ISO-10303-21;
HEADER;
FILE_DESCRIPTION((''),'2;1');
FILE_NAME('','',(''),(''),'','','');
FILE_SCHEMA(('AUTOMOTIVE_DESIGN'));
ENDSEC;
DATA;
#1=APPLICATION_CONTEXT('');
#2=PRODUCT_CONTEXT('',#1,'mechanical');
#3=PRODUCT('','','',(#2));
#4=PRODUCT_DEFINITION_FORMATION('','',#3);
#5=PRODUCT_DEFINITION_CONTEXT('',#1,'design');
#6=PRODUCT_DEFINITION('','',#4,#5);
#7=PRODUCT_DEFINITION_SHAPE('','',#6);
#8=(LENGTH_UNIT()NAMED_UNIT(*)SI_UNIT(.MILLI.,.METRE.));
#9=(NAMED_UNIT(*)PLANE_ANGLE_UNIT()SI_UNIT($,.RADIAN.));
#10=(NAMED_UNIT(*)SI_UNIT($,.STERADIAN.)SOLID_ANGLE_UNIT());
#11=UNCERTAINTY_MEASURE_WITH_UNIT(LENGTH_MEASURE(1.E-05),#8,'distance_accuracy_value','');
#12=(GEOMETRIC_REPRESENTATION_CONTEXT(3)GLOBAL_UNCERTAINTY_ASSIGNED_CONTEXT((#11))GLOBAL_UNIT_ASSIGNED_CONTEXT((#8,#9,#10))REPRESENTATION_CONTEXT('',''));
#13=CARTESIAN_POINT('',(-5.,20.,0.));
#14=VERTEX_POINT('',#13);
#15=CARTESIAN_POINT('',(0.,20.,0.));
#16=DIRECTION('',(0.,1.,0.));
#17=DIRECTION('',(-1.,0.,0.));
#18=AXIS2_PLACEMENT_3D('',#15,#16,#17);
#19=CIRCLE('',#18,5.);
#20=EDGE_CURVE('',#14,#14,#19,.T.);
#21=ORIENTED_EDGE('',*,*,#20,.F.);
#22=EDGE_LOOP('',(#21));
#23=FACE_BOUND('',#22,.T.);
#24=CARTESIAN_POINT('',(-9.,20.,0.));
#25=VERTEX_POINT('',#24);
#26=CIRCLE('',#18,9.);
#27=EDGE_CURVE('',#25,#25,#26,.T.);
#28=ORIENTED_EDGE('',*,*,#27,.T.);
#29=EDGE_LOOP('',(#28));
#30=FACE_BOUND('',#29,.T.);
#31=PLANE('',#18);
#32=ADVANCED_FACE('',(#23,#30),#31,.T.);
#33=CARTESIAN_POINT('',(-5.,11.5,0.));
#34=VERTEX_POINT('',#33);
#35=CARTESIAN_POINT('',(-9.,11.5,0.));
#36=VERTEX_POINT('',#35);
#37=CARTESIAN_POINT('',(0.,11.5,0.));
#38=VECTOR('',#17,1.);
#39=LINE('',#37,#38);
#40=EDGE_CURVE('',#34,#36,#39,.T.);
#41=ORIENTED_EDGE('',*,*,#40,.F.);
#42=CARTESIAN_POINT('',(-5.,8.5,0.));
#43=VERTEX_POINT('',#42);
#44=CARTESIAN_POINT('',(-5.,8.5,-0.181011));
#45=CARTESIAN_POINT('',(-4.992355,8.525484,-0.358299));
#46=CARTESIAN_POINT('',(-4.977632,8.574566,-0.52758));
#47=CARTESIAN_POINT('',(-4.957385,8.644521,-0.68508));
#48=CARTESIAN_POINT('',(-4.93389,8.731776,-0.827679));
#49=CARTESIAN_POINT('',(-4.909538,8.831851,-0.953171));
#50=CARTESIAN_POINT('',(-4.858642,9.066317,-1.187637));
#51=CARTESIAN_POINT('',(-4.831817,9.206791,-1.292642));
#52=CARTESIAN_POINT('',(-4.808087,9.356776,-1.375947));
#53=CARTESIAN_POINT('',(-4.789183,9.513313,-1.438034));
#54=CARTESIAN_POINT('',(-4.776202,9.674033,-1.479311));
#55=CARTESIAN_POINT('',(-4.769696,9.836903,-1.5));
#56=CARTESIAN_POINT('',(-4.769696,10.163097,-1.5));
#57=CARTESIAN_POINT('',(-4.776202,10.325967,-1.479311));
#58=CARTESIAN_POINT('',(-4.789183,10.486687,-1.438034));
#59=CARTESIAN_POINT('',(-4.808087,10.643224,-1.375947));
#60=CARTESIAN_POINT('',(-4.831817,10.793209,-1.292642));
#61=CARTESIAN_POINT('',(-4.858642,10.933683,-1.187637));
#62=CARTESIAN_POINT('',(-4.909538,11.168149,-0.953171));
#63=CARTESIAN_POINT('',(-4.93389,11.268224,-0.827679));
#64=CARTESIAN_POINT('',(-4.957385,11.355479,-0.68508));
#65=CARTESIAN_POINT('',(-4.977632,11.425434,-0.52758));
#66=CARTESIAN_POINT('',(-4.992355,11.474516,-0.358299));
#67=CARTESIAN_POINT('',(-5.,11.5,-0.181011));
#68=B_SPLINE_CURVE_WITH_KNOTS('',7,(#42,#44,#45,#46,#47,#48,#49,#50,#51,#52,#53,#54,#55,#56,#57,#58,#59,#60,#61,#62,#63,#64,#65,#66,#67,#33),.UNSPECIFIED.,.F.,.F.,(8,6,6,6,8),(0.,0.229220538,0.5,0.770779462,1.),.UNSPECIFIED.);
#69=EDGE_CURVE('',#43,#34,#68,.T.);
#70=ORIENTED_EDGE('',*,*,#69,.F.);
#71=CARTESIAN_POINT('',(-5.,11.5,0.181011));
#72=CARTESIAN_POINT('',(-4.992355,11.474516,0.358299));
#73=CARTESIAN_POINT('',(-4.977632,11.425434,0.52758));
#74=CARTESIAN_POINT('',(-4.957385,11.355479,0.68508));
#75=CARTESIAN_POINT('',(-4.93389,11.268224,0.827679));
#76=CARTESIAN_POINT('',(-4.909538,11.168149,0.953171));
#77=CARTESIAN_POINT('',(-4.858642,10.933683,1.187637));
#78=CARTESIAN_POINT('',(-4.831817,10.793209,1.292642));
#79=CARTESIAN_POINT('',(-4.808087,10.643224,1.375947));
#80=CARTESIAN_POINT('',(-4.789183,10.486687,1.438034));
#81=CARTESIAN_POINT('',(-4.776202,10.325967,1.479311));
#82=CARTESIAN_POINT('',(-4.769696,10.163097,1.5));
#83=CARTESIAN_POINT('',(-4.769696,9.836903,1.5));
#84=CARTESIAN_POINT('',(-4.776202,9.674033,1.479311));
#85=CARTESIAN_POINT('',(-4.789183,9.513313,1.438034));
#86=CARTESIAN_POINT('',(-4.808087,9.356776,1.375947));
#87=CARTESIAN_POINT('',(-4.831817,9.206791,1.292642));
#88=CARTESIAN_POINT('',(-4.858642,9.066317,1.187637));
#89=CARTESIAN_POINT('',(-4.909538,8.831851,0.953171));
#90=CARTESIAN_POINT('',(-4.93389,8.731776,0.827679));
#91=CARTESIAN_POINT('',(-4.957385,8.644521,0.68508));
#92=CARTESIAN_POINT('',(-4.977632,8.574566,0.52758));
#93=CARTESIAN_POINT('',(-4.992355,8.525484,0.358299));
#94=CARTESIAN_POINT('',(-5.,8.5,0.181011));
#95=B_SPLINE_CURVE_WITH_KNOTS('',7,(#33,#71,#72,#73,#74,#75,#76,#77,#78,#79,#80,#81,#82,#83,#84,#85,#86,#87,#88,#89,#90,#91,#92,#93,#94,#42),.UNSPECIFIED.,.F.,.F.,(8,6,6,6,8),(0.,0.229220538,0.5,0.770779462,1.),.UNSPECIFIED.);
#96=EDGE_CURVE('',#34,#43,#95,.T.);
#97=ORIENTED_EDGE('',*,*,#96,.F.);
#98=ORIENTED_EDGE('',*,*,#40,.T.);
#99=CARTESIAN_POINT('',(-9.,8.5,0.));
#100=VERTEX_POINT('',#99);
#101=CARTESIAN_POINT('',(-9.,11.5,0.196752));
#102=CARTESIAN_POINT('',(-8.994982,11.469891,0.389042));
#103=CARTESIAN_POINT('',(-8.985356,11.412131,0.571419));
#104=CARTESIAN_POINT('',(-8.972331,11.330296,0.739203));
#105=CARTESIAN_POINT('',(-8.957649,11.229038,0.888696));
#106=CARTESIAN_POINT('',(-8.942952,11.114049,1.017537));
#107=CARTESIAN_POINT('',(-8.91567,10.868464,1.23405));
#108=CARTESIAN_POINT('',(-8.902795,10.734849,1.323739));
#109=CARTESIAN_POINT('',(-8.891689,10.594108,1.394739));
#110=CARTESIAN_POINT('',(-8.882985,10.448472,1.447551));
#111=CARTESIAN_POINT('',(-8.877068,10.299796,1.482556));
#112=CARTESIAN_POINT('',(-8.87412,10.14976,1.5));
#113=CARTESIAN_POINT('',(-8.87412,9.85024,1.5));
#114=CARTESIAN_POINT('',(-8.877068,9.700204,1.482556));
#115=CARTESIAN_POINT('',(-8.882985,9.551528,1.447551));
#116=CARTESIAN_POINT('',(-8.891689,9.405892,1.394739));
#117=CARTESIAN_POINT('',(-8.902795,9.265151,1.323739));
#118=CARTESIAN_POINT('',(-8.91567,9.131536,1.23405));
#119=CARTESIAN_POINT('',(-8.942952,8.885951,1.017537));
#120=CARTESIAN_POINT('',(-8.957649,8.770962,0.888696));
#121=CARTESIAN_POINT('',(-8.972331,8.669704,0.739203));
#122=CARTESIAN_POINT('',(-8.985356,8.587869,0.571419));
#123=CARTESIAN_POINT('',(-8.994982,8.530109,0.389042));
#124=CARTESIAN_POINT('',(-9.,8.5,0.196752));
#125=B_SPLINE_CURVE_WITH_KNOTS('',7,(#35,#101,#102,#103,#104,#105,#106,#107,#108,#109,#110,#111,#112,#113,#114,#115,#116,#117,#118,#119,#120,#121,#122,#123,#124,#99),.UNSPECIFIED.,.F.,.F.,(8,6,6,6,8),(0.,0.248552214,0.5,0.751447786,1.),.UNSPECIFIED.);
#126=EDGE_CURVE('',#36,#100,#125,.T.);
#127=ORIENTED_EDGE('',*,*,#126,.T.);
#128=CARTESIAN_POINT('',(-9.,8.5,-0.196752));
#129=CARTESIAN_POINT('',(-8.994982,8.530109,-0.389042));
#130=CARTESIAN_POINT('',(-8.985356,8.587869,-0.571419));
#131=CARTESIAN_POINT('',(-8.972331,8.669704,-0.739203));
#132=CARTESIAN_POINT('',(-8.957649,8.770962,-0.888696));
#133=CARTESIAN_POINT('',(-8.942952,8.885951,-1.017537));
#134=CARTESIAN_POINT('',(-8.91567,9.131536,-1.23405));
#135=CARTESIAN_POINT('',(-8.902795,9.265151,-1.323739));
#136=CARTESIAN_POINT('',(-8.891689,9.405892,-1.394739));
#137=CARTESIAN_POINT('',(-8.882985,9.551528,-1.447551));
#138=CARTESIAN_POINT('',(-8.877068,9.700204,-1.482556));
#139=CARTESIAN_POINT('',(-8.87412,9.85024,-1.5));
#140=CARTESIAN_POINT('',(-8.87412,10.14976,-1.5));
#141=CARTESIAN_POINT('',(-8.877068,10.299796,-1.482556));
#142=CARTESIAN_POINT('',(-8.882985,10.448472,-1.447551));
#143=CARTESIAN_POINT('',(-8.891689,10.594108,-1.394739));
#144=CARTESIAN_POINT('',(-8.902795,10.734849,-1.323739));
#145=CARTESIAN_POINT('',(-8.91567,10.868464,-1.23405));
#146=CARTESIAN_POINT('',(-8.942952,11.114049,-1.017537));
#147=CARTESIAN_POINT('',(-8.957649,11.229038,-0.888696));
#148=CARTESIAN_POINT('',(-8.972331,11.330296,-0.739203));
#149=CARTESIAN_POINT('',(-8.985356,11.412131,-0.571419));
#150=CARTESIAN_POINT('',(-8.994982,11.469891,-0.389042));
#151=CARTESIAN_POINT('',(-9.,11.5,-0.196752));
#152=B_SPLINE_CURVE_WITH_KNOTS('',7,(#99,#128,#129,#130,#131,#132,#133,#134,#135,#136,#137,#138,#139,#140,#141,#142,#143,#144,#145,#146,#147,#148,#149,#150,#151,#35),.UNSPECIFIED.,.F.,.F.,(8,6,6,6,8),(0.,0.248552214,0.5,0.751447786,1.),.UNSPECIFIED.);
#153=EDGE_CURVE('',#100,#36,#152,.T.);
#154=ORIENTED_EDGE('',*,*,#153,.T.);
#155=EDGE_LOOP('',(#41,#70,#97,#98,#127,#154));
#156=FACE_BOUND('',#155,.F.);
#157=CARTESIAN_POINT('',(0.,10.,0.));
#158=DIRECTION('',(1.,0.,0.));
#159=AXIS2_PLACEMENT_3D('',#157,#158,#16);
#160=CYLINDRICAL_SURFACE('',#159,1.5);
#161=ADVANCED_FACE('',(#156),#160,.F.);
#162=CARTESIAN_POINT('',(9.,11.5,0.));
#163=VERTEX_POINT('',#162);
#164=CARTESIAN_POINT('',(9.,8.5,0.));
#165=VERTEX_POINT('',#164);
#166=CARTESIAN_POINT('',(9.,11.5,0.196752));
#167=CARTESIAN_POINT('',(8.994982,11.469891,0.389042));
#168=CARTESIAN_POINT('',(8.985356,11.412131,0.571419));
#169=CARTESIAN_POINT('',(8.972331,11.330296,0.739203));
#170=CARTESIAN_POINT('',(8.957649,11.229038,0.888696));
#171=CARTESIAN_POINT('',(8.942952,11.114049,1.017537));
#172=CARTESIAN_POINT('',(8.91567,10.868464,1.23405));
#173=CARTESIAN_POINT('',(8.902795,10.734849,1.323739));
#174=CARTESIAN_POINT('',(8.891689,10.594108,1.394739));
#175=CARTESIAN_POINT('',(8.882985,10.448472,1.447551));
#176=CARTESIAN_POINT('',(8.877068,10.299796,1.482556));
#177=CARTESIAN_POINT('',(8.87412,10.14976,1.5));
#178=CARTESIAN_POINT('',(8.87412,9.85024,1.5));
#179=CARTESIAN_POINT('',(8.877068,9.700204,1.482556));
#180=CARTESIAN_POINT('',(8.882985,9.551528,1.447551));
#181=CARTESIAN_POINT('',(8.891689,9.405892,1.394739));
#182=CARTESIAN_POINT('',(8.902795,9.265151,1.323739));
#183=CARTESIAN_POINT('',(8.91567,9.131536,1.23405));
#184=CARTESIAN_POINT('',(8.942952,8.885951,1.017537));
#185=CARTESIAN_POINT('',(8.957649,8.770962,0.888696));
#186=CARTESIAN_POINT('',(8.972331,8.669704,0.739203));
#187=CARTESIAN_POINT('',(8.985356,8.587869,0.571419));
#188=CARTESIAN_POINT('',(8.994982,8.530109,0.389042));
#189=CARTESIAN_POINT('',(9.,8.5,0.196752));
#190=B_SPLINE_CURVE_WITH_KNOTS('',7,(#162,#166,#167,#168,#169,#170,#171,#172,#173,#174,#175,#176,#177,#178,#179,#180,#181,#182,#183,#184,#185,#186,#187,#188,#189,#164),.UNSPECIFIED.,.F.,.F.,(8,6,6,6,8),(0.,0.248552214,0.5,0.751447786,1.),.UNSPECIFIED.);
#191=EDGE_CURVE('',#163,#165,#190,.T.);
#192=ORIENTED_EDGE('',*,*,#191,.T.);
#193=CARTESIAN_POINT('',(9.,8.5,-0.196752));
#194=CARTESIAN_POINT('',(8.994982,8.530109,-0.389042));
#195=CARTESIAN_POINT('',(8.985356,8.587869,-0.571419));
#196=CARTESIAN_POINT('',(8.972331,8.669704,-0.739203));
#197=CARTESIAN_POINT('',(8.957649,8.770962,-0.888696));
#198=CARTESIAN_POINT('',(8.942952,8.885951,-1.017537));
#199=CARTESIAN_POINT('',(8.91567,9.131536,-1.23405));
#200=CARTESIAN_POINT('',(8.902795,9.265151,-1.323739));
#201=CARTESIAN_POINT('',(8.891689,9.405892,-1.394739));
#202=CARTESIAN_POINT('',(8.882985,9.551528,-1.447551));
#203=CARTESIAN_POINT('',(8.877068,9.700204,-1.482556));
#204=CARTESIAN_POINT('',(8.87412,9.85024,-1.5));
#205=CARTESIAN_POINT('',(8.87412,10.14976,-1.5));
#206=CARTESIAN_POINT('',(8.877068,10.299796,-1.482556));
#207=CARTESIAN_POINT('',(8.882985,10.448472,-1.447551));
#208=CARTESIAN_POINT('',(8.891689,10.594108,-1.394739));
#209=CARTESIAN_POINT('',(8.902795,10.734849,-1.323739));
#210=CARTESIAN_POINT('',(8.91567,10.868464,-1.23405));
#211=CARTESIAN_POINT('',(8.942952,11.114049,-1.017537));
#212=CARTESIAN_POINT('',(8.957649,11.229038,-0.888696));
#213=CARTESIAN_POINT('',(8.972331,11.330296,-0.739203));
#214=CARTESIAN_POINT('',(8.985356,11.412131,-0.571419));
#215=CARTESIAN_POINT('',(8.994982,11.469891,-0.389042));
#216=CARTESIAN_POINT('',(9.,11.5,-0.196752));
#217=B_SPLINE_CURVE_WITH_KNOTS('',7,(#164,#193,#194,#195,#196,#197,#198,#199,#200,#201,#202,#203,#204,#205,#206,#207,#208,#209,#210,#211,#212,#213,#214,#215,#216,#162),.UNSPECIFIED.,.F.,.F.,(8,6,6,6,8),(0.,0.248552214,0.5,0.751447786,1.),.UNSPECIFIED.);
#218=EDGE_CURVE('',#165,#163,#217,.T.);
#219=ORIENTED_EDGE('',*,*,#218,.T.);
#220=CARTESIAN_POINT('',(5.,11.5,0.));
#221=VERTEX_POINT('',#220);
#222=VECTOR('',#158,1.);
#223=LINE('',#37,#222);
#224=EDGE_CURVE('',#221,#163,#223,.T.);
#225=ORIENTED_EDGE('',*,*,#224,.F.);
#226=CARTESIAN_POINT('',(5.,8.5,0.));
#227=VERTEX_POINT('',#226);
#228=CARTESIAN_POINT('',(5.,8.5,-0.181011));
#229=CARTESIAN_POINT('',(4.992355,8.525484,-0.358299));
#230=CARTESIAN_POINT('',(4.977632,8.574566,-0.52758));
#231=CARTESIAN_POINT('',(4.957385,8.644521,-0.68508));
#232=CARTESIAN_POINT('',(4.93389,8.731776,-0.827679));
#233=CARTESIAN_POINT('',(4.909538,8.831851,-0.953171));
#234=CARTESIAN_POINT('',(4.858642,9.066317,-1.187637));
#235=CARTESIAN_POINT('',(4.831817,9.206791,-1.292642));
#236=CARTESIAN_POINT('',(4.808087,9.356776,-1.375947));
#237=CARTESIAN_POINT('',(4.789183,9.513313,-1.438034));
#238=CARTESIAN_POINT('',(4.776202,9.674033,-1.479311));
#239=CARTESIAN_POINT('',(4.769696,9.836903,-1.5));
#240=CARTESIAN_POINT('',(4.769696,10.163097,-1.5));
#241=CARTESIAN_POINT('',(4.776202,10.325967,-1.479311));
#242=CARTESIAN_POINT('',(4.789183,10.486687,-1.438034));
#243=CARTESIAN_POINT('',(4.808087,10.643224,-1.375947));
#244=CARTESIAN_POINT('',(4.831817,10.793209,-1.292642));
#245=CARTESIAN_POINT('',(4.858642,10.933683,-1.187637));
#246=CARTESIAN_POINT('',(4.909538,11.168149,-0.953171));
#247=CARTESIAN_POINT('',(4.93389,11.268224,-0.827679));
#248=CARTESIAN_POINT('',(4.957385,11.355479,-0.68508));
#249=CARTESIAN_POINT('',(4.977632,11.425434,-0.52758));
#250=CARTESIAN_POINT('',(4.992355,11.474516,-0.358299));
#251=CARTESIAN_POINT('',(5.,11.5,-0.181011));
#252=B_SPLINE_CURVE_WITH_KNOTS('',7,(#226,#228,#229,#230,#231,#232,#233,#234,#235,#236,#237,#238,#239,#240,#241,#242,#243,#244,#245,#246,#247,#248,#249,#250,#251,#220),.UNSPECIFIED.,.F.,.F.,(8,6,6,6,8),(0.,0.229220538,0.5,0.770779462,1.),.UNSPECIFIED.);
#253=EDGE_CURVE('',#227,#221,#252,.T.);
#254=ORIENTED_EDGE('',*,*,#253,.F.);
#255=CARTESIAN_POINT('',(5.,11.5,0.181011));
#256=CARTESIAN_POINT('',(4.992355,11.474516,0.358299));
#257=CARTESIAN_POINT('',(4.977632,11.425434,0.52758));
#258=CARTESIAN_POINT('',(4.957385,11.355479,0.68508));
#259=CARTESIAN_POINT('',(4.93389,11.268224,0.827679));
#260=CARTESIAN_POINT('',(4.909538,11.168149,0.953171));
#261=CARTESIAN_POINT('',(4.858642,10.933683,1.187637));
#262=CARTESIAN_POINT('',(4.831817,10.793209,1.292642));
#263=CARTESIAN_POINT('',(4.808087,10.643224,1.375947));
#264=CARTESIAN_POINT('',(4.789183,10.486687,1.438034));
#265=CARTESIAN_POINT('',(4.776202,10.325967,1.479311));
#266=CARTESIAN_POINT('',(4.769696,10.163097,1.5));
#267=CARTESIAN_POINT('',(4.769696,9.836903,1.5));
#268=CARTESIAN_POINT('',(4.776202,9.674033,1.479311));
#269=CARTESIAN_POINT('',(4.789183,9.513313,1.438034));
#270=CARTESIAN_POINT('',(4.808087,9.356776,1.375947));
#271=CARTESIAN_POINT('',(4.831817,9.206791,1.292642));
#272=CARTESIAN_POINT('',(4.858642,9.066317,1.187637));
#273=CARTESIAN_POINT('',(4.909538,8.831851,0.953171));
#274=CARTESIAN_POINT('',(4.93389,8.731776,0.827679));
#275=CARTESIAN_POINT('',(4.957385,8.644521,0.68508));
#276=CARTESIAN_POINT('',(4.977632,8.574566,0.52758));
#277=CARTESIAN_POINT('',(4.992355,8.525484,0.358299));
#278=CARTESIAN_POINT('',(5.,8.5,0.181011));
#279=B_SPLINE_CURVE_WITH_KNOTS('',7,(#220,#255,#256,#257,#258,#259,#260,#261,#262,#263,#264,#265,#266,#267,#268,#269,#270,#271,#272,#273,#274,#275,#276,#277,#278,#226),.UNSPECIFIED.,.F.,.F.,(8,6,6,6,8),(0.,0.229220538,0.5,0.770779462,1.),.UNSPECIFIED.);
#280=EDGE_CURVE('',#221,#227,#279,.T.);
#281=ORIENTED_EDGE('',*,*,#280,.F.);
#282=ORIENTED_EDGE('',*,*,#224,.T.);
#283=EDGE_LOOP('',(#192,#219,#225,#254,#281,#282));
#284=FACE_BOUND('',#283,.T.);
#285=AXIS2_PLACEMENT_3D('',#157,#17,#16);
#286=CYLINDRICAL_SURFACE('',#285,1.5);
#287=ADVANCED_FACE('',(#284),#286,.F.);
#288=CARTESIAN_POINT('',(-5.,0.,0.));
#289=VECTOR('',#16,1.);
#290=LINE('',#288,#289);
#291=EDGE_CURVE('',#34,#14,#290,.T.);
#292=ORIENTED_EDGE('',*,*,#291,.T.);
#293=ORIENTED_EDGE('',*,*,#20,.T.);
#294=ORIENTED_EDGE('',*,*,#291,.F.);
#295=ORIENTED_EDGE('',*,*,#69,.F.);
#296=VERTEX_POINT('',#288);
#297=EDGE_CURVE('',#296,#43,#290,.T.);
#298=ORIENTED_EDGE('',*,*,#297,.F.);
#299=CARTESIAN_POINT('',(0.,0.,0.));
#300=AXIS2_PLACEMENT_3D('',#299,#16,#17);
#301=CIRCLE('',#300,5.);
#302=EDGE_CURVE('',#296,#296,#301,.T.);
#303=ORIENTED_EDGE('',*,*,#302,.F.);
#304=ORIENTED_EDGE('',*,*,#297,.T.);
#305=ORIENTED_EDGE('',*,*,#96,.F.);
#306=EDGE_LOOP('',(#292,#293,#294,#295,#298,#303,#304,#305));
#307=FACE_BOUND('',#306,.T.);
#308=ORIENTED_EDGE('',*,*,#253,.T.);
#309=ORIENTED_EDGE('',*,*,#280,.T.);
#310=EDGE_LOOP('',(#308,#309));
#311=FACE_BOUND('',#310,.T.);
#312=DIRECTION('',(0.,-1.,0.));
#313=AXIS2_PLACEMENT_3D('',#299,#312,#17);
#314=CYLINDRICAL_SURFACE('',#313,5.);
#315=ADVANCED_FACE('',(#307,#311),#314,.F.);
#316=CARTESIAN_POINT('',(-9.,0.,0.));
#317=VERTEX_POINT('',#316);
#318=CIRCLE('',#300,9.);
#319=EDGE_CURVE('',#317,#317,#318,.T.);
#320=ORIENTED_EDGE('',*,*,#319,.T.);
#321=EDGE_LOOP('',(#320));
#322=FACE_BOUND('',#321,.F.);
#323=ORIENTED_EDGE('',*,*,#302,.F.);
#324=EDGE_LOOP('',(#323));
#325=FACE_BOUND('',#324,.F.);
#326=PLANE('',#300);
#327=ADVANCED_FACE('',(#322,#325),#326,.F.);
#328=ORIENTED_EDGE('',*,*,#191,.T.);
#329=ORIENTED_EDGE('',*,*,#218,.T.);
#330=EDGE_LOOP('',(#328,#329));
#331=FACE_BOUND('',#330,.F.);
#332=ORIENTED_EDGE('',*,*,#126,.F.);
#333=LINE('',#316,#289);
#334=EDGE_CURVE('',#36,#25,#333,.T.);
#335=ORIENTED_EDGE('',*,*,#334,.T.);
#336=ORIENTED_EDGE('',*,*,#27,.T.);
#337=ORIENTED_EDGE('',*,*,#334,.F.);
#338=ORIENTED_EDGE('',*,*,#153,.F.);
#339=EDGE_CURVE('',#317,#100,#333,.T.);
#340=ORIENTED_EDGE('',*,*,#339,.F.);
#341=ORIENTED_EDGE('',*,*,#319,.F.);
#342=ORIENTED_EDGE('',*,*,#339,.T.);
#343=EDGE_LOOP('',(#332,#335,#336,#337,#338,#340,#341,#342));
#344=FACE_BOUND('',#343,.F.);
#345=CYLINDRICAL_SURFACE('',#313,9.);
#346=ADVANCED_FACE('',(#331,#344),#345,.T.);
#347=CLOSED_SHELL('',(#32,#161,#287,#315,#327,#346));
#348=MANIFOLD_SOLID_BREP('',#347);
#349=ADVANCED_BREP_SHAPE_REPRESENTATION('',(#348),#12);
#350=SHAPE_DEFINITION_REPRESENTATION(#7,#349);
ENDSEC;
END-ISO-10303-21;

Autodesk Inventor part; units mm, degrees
ref_plane "YZ Plane" through (0, 0, 0) normal (1, 0, 0) x (0, 1, 0)
ref_plane "XZ Plane" through (0, 0, 0) normal (0, 1, 0) x (-1, 0, 0)
ref_plane "XY Plane" through (0, 0, 0) normal (0, 0, 1) x (1, 0, 0)
sketch "Эскиз1" plane through (0, 0, 0) normal (0, 1, 0) x (-1, 0, 0)
  circle A0 centre (0, 0) radius 5
  circle A1 centre (0, 0) radius 9
  dimension "d0" = 10
  dimension "d1" = 18
extrude "Выдавливание1" add sketch "Эскиз1" along normal blind 20
sketch "Эскиз2" plane through (0, 0, 0) normal (1, 0, 0) x (0, 1, 0)
  line L0 (0, 0) -> (10, 0)
  circle A0 centre (10, 0) radius 1.5
  dimension "d4" = 10
  dimension "d5" = 3
extrude "Выдавливание2" cut sketch "Эскиз2" along normal mid plane 35.75
thread "Резьба1" size "M3x0.5" class "6H" standard "ISO Metric profile" full length
properties part number "Втулка"
